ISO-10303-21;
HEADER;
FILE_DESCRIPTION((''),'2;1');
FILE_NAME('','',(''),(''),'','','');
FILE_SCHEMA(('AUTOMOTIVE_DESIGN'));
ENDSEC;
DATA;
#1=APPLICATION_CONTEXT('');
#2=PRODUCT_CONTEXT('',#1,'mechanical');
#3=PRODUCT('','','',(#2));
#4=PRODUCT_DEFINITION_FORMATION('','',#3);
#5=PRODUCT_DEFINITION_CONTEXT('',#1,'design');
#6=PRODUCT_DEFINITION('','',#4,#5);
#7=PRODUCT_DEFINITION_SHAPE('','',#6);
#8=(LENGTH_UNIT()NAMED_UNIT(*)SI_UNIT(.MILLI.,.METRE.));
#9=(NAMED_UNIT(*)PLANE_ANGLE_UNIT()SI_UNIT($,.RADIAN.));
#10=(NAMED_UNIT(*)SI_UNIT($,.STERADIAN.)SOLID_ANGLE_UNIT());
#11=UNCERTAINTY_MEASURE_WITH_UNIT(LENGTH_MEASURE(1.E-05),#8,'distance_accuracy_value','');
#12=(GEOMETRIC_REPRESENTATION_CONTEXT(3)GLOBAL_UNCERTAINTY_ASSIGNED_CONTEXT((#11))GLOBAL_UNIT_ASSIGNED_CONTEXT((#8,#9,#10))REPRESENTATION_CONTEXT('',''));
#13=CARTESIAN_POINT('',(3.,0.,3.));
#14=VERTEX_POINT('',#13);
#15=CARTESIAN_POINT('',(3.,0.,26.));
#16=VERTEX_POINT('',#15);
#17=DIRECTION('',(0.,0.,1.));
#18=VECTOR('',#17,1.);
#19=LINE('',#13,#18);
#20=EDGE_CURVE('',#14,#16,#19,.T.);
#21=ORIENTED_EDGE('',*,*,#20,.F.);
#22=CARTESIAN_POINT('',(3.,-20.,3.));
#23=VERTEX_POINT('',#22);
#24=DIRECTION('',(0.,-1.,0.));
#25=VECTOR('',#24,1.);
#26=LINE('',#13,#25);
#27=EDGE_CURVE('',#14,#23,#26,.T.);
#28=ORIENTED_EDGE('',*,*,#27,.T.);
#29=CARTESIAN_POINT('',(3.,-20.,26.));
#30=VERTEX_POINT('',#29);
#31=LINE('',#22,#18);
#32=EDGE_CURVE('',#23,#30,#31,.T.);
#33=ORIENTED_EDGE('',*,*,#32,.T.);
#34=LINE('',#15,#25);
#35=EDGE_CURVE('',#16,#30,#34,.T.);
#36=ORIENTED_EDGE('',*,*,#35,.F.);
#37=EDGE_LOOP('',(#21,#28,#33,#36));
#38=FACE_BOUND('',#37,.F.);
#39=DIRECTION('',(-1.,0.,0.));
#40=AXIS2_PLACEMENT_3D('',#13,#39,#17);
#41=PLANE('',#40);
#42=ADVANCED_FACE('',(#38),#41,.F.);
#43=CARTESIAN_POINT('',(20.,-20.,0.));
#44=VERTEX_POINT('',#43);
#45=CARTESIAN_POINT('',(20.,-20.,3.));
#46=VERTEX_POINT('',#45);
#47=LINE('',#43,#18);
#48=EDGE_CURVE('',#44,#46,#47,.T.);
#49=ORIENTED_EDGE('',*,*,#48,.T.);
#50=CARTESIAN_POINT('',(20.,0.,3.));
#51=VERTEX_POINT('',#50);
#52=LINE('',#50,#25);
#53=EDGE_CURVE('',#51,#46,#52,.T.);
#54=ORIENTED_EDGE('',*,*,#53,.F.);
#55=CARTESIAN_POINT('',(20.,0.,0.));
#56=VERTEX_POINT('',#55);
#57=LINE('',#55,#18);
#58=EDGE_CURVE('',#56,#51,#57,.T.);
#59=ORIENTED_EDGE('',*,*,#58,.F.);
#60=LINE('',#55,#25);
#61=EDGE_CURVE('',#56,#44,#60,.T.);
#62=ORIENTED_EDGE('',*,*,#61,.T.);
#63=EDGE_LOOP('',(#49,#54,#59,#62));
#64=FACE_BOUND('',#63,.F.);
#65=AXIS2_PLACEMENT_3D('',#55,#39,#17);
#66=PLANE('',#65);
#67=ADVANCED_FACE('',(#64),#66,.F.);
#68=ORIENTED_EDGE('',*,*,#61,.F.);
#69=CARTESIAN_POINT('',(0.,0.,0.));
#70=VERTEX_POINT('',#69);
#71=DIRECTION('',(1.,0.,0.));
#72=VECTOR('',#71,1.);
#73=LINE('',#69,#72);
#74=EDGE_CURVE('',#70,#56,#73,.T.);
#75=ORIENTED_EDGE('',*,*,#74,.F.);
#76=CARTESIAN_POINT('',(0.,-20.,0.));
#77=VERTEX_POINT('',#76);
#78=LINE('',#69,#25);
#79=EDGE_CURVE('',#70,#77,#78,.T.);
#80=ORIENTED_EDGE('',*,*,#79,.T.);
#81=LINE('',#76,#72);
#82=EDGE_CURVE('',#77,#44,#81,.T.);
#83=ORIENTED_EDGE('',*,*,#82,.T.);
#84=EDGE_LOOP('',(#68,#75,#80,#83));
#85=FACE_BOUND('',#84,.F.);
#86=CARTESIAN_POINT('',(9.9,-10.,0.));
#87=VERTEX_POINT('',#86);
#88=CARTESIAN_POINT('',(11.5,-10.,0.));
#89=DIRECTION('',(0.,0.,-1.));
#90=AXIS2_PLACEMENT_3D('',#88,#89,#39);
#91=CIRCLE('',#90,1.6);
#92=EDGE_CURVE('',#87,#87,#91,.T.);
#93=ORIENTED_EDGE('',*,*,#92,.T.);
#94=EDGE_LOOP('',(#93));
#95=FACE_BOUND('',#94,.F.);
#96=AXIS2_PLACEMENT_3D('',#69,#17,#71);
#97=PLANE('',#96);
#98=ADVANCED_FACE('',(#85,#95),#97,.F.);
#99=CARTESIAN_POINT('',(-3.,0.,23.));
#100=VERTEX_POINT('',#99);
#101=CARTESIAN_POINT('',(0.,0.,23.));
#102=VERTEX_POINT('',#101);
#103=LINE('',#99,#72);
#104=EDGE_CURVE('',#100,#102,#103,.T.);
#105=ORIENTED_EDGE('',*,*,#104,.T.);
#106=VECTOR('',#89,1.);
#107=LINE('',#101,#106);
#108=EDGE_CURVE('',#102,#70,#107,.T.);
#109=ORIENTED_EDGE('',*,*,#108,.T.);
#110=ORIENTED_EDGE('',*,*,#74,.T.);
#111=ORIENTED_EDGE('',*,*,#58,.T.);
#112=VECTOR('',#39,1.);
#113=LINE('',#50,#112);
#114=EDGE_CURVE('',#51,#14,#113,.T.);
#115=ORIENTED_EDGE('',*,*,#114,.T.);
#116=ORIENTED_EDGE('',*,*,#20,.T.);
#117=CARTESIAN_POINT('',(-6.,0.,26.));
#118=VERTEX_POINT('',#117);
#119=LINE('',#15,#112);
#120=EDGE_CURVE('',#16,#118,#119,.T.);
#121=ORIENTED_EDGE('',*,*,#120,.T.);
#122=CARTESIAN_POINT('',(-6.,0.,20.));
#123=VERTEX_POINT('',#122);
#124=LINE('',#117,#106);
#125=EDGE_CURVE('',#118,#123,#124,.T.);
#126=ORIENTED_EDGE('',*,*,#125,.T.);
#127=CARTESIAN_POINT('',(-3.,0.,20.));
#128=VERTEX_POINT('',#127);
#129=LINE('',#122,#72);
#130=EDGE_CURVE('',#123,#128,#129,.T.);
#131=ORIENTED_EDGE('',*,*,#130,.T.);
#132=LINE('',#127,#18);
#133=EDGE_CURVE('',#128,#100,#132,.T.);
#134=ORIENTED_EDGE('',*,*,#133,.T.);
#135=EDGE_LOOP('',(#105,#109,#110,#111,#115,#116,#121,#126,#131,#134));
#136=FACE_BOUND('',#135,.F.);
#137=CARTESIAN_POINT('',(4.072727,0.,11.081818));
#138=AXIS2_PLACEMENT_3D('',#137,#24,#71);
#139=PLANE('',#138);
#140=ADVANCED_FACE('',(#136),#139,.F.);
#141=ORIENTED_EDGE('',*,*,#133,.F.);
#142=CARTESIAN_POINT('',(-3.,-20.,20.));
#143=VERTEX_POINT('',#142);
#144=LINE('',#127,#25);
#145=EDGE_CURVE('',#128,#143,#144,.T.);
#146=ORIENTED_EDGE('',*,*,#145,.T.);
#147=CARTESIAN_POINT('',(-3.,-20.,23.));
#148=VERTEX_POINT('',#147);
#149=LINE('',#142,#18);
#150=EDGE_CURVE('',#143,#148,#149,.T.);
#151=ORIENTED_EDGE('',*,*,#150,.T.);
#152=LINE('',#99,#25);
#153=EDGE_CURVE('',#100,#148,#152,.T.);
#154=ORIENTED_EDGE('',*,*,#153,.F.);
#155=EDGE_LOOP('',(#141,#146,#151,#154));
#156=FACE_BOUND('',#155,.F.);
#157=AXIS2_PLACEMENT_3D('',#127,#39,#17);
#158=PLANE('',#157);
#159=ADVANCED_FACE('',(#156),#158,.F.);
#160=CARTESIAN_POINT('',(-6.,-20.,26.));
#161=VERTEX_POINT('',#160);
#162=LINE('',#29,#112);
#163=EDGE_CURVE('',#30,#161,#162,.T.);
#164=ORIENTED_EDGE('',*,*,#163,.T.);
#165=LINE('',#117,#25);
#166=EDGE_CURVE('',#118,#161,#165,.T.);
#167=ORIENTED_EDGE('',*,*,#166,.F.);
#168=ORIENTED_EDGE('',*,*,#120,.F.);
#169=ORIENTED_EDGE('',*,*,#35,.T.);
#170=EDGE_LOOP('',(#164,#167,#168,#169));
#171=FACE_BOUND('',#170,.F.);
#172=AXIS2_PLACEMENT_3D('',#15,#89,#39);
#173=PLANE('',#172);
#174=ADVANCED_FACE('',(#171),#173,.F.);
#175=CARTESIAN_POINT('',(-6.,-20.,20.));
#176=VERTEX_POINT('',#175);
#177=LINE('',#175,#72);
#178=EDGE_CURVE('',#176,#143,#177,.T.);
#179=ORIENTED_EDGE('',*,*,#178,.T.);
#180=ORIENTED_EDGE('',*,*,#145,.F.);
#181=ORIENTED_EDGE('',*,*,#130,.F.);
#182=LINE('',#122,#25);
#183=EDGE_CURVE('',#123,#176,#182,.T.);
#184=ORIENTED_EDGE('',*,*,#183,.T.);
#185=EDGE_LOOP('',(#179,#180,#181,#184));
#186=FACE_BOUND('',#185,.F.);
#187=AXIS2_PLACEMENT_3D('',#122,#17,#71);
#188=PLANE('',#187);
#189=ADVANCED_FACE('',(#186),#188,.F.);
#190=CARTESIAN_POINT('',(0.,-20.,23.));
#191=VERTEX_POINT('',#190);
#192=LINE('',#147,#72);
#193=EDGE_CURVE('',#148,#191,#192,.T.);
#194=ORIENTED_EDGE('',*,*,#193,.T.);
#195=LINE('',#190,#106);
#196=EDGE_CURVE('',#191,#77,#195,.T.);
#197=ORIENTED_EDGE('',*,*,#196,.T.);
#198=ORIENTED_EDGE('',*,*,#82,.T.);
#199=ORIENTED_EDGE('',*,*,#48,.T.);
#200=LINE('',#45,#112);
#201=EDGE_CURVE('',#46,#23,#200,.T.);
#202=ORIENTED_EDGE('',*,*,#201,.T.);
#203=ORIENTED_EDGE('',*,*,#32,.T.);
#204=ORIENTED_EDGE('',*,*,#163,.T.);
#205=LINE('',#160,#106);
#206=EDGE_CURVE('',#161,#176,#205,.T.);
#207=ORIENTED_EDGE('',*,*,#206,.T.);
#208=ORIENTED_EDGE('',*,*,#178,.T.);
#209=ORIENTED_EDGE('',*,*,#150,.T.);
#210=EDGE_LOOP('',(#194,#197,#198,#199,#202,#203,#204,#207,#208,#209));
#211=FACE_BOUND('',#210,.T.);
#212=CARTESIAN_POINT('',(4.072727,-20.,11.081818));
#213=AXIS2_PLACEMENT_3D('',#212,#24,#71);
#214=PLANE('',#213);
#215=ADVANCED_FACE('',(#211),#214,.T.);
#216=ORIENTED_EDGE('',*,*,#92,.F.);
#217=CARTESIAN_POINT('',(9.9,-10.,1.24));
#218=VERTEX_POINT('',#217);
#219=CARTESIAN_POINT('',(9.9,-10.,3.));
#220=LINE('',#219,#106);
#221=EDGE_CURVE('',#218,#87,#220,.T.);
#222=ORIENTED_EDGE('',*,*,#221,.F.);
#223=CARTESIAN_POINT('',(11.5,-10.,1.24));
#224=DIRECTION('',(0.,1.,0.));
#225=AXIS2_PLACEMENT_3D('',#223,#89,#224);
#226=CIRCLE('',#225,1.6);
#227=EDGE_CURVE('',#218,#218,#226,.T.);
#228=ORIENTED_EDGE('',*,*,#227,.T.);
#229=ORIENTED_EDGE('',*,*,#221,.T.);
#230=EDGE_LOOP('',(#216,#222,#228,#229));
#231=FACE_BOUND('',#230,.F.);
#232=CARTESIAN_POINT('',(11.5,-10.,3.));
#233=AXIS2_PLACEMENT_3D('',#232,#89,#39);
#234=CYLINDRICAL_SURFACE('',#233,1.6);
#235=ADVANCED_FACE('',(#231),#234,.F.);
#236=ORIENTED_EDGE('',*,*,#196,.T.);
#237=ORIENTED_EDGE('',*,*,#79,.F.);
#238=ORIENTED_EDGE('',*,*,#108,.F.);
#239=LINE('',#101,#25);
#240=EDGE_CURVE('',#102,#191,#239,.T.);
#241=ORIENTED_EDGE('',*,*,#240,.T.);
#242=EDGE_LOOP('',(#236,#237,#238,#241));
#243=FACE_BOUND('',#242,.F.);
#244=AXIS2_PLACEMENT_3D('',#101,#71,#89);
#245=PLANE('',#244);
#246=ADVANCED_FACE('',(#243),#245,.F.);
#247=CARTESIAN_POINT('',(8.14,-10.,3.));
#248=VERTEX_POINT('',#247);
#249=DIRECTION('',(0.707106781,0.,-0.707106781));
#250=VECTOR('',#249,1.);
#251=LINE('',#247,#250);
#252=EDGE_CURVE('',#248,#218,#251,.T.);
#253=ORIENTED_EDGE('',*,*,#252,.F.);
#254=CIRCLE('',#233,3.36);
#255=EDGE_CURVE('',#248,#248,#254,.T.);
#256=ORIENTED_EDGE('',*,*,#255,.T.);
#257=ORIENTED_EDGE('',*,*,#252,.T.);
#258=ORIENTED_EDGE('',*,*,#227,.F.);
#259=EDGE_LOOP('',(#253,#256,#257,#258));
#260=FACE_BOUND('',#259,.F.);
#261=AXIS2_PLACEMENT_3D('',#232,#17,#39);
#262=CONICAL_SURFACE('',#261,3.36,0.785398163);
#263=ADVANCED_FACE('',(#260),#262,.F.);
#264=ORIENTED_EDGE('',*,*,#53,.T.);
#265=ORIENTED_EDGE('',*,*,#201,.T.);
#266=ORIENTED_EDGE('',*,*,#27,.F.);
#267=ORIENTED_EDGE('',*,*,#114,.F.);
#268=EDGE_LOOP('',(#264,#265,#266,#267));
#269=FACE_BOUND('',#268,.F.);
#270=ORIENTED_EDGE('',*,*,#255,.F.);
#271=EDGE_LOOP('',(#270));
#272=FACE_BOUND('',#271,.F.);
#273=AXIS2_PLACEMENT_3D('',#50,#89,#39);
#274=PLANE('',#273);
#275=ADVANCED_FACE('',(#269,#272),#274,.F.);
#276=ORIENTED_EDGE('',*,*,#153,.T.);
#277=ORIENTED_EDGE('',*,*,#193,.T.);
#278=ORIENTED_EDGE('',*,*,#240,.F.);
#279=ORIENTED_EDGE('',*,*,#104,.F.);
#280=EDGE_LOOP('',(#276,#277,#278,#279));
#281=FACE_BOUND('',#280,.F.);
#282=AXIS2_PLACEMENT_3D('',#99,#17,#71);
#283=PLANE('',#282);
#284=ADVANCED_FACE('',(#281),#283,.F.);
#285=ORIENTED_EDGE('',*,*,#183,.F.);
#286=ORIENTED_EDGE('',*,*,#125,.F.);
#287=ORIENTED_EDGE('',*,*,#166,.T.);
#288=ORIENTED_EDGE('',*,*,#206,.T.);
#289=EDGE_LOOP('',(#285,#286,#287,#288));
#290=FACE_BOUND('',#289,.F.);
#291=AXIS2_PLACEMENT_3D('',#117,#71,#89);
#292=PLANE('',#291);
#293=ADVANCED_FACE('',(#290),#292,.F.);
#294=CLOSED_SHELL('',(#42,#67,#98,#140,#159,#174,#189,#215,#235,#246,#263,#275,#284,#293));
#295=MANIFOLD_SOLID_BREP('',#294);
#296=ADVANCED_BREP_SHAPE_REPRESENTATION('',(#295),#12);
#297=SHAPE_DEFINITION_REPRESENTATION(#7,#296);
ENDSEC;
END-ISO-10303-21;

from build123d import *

# Parameters (mm, degrees)
F1_DEPTH       = 20
F3_D           = 3.2
F3_CSINK_D     = 6.72
F3_CSINK_ANGLE = 90


with BuildPart() as f1:
    # F0 (on Front) → F1 (new body)
    with BuildSketch(Plane.XZ):
        Polygon((0, 23), (0, 0), (20, 0), (20, 3), (3, 3), (3, 26), (-6, 26), (-6, 20), (-3, 20), (-3, 23), align=None)
    extrude(amount=F1_DEPTH)

    # F3 (through all)
    with Locations(Plane.XY.offset(3)):
        with Locations((11.5, -10)):
            CounterSinkHole(F3_D / 2, F3_CSINK_D / 2, counter_sink_angle=F3_CSINK_ANGLE)


solid = f1.part
